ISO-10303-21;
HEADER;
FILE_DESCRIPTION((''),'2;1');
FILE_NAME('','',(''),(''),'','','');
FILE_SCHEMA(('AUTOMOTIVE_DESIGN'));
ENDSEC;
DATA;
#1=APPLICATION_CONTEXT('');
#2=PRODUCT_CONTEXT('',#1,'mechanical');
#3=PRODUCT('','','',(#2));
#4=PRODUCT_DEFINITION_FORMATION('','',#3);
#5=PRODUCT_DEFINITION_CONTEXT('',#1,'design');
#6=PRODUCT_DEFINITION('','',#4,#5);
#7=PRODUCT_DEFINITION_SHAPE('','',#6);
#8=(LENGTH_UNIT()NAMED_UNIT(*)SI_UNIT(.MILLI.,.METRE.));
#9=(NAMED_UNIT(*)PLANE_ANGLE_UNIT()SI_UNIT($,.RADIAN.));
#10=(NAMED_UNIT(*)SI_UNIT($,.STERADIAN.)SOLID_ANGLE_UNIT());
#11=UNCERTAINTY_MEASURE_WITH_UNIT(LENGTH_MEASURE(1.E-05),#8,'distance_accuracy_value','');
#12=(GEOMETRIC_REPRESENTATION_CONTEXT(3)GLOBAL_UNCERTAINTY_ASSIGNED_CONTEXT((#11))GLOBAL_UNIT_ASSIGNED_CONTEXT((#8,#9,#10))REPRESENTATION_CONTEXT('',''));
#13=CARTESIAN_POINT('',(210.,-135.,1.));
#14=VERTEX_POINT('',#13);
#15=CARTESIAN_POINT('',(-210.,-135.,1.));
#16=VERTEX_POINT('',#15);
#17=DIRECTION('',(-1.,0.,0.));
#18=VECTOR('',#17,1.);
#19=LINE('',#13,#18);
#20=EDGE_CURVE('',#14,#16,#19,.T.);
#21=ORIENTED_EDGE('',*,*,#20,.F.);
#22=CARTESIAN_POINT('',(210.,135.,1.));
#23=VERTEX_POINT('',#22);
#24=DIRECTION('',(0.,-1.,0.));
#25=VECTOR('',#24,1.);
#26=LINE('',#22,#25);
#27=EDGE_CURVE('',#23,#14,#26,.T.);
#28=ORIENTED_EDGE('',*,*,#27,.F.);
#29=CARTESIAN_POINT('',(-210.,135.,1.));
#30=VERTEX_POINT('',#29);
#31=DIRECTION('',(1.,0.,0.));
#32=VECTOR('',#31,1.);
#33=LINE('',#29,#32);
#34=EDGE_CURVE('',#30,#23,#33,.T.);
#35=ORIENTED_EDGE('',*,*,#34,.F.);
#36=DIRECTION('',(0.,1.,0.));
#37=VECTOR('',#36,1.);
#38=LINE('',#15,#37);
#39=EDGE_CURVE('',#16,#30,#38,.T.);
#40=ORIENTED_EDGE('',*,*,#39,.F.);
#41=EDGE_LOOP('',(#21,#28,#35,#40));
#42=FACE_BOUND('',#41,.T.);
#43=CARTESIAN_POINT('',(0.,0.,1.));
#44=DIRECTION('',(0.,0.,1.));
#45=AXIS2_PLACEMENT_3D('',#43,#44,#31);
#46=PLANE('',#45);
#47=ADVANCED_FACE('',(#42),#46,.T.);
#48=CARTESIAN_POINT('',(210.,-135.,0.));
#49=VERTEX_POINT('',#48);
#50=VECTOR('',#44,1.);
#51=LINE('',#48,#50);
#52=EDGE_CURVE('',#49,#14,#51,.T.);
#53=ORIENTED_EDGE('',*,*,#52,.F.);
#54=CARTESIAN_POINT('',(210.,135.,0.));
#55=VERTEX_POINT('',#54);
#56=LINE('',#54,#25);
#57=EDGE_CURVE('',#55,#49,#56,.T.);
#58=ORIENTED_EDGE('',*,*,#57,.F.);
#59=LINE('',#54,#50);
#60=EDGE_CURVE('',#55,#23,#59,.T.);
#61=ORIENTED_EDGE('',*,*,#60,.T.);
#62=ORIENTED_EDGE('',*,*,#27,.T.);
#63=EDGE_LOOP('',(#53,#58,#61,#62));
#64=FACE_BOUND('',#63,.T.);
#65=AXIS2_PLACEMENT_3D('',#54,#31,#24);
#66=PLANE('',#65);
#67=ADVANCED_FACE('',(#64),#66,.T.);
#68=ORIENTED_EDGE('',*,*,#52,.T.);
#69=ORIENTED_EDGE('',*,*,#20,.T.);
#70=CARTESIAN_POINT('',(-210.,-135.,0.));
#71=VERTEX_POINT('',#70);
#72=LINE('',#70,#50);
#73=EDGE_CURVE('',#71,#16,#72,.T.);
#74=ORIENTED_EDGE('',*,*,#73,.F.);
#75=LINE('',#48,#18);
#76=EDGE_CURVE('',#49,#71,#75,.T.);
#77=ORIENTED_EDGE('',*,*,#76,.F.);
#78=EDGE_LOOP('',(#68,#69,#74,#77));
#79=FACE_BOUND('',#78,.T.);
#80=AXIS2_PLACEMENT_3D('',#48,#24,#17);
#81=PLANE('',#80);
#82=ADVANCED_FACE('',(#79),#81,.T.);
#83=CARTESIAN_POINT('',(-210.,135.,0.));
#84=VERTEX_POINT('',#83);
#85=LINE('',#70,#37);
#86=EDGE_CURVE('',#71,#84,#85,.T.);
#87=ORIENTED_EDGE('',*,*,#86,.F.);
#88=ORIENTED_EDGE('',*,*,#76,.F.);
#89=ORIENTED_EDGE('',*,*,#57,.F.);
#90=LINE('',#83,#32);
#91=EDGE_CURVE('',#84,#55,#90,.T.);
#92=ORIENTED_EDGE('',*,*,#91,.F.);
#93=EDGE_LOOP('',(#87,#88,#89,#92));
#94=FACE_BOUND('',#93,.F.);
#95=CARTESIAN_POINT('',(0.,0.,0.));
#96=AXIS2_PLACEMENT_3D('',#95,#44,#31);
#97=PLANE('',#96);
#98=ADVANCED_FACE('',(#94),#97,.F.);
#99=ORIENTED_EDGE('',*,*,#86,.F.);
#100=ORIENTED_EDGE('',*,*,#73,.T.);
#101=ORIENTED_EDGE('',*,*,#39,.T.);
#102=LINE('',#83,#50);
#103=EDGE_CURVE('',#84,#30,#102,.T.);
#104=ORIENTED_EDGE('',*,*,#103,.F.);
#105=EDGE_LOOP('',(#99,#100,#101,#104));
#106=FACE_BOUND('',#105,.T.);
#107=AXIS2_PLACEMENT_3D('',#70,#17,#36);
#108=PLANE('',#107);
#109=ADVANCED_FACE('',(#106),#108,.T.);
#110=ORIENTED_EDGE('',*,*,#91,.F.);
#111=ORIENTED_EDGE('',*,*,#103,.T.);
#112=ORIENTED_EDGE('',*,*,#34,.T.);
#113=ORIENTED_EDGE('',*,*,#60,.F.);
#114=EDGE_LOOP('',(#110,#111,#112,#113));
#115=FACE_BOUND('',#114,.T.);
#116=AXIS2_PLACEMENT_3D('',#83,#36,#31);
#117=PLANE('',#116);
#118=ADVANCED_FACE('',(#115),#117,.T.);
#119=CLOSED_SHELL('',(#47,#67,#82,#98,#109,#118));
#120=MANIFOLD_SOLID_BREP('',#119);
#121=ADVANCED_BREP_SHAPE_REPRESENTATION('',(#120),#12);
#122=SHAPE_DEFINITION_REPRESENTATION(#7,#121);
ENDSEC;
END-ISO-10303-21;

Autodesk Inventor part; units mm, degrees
ref_plane "YZ Plane" through (0, 0, 0) normal (1, 0, 0) x (0, 1, 0)
ref_plane "XZ Plane" through (0, 0, 0) normal (0, 1, 0) x (-1, 0, 0)
ref_plane "XY Plane" through (0, 0, 0) normal (0, 0, 1) x (1, 0, 0)
sketch "Szkic1" plane through (0, 0, 0) normal (0, 0, 1) x (1, 0, 0)
  line L0 (-210, 135) -> (210, 135)
  line L1 (210, 135) -> (210, -135)
  line L2 (210, -135) -> (-210, -135)
  line L3 (-210, -135) -> (-210, 135)
  dimension "d0" = 420
  dimension "d1" = 270
extrude "Wyciągnięcie proste1" add sketch "Szkic1" along normal blind 1
properties part number "MATRYCA" material "Poliwęglan dymiony"
